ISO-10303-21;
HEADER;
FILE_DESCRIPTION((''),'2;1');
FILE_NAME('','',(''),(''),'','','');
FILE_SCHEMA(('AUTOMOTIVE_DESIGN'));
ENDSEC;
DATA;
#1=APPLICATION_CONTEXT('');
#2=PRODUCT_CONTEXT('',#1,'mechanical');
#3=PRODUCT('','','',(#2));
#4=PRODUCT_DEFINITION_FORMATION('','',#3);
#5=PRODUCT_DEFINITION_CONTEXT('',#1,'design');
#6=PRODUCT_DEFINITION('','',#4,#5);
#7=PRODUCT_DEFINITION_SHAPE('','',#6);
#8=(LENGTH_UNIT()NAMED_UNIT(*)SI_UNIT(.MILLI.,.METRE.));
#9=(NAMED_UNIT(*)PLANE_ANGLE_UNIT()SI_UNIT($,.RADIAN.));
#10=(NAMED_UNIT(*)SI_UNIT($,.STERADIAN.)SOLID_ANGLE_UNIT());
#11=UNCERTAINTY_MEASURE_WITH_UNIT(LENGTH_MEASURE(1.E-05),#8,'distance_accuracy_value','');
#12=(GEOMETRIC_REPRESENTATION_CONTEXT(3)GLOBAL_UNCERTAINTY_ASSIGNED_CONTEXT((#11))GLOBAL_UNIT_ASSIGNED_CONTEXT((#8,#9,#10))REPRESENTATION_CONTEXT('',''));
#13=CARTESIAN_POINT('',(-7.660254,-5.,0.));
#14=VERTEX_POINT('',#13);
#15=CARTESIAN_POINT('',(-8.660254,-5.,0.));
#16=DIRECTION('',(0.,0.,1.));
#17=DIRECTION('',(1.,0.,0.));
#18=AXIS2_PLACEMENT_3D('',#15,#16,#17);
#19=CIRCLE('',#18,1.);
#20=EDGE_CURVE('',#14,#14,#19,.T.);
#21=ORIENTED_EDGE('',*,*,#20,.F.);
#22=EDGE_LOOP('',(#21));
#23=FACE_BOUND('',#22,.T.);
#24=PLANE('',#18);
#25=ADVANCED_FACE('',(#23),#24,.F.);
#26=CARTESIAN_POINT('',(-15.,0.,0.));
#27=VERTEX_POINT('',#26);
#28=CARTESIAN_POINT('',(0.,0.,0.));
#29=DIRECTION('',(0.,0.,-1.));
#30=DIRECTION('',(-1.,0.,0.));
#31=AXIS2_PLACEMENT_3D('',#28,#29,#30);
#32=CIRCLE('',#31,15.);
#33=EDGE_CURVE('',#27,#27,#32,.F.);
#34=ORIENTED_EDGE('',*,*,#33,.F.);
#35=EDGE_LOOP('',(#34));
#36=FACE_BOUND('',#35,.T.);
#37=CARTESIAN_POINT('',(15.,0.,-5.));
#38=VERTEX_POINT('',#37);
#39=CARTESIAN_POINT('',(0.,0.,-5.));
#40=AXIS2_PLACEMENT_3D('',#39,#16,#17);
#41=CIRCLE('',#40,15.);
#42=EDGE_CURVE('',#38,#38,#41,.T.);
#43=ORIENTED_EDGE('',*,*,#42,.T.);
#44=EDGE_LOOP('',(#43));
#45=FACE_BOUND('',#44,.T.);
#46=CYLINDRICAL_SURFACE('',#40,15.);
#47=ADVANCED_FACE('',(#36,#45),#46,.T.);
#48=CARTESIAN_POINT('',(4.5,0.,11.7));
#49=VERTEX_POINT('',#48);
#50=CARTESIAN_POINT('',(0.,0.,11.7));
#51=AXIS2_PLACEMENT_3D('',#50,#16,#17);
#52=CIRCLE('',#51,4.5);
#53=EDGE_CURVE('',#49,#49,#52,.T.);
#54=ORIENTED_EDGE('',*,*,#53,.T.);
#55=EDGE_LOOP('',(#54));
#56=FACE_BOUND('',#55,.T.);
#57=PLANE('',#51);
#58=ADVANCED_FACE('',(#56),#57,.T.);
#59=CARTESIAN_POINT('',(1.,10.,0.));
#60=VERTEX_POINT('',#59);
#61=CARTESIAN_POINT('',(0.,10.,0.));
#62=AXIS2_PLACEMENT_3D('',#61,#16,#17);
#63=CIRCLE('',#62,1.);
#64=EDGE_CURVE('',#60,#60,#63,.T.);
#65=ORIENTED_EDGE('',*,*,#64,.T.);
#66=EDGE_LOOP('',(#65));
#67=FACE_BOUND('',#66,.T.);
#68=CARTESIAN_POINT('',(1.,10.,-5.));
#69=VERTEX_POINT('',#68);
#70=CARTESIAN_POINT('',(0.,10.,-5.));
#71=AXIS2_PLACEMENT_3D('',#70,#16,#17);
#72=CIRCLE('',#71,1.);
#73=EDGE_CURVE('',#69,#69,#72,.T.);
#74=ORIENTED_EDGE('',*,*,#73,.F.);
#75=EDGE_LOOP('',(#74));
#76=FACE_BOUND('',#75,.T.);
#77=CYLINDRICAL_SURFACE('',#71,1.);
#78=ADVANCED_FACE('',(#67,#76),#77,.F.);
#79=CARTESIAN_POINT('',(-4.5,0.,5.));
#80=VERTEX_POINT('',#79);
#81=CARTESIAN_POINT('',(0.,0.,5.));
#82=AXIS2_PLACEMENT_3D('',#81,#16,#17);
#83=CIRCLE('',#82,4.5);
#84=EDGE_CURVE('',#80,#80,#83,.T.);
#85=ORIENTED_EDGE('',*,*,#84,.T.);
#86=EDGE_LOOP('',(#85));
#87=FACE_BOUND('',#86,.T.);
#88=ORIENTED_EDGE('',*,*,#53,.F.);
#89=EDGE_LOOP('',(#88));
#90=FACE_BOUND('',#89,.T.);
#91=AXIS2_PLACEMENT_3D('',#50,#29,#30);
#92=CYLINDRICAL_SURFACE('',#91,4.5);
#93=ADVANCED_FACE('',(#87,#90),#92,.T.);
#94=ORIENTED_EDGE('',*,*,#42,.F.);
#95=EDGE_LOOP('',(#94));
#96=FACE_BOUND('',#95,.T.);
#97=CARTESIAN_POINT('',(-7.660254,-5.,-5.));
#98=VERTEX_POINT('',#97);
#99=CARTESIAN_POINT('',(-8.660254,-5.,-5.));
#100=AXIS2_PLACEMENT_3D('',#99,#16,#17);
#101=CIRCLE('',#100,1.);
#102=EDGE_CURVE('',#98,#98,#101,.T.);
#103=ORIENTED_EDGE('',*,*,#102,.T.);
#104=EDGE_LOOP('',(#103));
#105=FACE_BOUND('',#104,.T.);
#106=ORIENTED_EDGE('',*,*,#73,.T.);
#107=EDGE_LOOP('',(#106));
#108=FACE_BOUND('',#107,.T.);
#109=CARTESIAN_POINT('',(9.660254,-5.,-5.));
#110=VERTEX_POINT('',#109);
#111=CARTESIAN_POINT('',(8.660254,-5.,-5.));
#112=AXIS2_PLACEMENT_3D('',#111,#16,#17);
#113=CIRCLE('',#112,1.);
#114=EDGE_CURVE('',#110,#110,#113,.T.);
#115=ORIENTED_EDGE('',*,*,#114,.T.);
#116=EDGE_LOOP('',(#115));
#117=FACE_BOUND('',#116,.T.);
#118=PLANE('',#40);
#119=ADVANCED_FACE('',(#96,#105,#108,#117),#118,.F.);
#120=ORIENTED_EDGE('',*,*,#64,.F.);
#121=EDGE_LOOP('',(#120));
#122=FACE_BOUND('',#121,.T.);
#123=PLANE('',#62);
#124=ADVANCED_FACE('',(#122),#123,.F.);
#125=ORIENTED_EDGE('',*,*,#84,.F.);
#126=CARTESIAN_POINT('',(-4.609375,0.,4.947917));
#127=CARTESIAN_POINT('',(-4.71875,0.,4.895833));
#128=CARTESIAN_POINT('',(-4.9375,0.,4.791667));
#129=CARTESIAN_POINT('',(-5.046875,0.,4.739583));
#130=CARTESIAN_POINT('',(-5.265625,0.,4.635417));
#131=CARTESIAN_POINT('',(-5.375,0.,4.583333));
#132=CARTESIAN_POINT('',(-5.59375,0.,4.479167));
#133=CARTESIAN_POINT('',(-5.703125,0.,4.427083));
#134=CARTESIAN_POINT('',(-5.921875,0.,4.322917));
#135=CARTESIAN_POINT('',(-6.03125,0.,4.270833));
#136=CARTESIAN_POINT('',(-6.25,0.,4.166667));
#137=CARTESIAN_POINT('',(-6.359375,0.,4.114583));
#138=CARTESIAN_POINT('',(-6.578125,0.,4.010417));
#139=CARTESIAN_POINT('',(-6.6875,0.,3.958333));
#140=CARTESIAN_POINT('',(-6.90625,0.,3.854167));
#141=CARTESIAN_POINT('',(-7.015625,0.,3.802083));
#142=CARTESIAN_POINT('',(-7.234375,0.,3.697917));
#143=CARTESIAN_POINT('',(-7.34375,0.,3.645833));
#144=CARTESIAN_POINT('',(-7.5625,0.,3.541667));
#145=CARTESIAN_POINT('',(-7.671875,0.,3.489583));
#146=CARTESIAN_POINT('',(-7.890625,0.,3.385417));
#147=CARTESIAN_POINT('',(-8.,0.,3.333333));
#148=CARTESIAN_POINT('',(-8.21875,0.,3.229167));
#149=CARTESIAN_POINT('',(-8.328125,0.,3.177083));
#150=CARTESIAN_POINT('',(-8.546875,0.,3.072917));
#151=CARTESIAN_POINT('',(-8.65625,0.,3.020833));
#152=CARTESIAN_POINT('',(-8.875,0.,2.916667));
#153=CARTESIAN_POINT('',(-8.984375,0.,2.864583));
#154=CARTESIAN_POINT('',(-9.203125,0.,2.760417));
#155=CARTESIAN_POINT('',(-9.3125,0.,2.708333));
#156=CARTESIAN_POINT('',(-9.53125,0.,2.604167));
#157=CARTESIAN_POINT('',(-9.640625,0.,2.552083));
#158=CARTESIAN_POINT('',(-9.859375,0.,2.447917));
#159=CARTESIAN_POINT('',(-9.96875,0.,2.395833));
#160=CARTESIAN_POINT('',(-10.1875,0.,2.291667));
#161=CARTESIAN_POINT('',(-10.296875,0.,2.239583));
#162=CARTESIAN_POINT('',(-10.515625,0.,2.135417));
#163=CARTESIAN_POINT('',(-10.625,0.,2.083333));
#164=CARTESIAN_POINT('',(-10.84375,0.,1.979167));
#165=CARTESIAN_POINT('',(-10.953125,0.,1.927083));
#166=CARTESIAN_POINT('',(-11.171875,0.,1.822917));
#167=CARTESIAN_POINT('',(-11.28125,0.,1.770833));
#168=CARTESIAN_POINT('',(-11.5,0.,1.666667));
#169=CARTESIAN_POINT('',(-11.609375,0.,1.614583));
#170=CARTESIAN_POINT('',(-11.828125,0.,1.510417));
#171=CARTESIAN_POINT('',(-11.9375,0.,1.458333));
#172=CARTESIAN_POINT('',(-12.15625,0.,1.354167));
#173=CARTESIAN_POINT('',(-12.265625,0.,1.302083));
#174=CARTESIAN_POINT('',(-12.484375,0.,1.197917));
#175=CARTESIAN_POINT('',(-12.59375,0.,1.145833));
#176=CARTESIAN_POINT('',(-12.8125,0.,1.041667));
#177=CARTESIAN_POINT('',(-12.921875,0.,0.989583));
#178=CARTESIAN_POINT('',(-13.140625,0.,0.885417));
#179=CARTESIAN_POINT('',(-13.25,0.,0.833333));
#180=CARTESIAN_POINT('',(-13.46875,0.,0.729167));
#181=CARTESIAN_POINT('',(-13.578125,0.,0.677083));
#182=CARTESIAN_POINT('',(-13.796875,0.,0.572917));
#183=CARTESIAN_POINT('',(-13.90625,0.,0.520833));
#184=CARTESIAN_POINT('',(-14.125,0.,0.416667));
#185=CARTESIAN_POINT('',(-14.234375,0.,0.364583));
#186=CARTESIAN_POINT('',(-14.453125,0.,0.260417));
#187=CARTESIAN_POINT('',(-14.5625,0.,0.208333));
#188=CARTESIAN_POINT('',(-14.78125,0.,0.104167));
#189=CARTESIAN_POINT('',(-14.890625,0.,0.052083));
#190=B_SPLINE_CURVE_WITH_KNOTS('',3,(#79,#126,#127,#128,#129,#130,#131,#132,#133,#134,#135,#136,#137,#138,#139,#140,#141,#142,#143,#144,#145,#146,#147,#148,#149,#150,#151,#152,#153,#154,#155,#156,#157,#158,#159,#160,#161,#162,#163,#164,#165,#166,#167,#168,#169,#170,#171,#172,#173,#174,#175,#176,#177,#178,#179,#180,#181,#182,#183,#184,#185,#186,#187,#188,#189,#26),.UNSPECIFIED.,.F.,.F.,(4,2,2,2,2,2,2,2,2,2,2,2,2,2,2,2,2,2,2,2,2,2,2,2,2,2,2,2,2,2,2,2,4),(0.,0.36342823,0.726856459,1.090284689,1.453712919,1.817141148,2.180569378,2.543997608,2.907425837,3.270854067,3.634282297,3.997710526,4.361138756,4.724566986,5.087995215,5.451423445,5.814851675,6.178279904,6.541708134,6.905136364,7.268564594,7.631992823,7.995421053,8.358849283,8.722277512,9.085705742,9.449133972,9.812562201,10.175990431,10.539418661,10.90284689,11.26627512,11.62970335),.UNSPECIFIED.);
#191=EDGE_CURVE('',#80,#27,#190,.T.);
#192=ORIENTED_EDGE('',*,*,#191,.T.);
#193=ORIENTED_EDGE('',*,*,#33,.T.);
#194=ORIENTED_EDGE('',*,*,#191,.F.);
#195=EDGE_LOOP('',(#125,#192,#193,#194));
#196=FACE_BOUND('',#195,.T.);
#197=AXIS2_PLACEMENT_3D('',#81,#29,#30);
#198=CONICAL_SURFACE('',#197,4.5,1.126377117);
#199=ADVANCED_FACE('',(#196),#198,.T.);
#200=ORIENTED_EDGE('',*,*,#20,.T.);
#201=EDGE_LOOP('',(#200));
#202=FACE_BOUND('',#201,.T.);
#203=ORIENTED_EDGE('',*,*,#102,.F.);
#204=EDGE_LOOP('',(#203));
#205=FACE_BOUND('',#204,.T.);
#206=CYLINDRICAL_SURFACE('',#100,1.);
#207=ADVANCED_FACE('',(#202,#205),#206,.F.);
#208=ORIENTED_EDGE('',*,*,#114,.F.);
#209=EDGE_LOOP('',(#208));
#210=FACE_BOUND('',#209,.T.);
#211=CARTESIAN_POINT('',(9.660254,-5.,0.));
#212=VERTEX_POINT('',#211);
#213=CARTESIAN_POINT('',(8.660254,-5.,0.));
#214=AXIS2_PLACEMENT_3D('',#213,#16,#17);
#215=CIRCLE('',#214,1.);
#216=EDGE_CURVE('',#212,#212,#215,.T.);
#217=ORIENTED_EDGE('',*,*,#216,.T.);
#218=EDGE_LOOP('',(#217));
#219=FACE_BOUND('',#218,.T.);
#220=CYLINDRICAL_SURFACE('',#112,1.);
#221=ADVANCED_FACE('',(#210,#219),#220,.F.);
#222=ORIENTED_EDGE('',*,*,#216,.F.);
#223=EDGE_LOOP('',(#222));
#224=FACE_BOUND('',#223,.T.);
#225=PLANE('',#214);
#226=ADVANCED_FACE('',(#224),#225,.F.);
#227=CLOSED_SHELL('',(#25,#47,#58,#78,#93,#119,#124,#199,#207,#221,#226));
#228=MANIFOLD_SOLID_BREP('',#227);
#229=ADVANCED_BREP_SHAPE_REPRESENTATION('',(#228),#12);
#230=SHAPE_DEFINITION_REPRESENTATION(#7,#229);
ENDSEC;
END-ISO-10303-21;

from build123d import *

# Parameters (mm, degrees)
SKETCH2_R           = 15
BOSS_EXTRUDE2_DEPTH = 5
SKETCH3_R           = 4.5
SKETCH3_2_R         = 4.5
BOSS_EXTRUDE3_DEPTH = 6.7
SKETCH1_R           = 1
CUT_EXTRUDE1_DEPTH  = 25.225812804


with BuildPart() as part:
    # Sketch2 → Boss-Extrude2 (new body)
    with BuildSketch(Plane.XY):
        Circle(SKETCH2_R)
    extrude(amount=-BOSS_EXTRUDE2_DEPTH)

    # Sketch3 → section 0 of loft1
    with BuildSketch(Plane.XY.offset(5), mode=Mode.PRIVATE) as loft1_s0:
        Circle(SKETCH3_R)
    # loft up to a face of the part (loft1)
    loft([loft1_s0.sketch, Face(Wire([part.edges().sort_by_distance((-10.268206589, 10.934529411, 0))[0]]))])

    # Sketch3<2> → Boss-Extrude3 (add)
    with BuildSketch(Plane.XY.offset(5)):
        Circle(SKETCH3_2_R)
    extrude(amount=BOSS_EXTRUDE3_DEPTH)

    # Sketch1 → Cut-Extrude1 (cut, through all)
    with BuildSketch(Plane.XY):
        with Locations((0, 10)):
            Circle(SKETCH1_R)
        with Locations((-8.660254038, -5)):
            Circle(SKETCH1_R)
        with Locations((8.660254038, -5)):
            Circle(SKETCH1_R)
    extrude(amount=-CUT_EXTRUDE1_DEPTH, mode=Mode.SUBTRACT)


solid = part.part
